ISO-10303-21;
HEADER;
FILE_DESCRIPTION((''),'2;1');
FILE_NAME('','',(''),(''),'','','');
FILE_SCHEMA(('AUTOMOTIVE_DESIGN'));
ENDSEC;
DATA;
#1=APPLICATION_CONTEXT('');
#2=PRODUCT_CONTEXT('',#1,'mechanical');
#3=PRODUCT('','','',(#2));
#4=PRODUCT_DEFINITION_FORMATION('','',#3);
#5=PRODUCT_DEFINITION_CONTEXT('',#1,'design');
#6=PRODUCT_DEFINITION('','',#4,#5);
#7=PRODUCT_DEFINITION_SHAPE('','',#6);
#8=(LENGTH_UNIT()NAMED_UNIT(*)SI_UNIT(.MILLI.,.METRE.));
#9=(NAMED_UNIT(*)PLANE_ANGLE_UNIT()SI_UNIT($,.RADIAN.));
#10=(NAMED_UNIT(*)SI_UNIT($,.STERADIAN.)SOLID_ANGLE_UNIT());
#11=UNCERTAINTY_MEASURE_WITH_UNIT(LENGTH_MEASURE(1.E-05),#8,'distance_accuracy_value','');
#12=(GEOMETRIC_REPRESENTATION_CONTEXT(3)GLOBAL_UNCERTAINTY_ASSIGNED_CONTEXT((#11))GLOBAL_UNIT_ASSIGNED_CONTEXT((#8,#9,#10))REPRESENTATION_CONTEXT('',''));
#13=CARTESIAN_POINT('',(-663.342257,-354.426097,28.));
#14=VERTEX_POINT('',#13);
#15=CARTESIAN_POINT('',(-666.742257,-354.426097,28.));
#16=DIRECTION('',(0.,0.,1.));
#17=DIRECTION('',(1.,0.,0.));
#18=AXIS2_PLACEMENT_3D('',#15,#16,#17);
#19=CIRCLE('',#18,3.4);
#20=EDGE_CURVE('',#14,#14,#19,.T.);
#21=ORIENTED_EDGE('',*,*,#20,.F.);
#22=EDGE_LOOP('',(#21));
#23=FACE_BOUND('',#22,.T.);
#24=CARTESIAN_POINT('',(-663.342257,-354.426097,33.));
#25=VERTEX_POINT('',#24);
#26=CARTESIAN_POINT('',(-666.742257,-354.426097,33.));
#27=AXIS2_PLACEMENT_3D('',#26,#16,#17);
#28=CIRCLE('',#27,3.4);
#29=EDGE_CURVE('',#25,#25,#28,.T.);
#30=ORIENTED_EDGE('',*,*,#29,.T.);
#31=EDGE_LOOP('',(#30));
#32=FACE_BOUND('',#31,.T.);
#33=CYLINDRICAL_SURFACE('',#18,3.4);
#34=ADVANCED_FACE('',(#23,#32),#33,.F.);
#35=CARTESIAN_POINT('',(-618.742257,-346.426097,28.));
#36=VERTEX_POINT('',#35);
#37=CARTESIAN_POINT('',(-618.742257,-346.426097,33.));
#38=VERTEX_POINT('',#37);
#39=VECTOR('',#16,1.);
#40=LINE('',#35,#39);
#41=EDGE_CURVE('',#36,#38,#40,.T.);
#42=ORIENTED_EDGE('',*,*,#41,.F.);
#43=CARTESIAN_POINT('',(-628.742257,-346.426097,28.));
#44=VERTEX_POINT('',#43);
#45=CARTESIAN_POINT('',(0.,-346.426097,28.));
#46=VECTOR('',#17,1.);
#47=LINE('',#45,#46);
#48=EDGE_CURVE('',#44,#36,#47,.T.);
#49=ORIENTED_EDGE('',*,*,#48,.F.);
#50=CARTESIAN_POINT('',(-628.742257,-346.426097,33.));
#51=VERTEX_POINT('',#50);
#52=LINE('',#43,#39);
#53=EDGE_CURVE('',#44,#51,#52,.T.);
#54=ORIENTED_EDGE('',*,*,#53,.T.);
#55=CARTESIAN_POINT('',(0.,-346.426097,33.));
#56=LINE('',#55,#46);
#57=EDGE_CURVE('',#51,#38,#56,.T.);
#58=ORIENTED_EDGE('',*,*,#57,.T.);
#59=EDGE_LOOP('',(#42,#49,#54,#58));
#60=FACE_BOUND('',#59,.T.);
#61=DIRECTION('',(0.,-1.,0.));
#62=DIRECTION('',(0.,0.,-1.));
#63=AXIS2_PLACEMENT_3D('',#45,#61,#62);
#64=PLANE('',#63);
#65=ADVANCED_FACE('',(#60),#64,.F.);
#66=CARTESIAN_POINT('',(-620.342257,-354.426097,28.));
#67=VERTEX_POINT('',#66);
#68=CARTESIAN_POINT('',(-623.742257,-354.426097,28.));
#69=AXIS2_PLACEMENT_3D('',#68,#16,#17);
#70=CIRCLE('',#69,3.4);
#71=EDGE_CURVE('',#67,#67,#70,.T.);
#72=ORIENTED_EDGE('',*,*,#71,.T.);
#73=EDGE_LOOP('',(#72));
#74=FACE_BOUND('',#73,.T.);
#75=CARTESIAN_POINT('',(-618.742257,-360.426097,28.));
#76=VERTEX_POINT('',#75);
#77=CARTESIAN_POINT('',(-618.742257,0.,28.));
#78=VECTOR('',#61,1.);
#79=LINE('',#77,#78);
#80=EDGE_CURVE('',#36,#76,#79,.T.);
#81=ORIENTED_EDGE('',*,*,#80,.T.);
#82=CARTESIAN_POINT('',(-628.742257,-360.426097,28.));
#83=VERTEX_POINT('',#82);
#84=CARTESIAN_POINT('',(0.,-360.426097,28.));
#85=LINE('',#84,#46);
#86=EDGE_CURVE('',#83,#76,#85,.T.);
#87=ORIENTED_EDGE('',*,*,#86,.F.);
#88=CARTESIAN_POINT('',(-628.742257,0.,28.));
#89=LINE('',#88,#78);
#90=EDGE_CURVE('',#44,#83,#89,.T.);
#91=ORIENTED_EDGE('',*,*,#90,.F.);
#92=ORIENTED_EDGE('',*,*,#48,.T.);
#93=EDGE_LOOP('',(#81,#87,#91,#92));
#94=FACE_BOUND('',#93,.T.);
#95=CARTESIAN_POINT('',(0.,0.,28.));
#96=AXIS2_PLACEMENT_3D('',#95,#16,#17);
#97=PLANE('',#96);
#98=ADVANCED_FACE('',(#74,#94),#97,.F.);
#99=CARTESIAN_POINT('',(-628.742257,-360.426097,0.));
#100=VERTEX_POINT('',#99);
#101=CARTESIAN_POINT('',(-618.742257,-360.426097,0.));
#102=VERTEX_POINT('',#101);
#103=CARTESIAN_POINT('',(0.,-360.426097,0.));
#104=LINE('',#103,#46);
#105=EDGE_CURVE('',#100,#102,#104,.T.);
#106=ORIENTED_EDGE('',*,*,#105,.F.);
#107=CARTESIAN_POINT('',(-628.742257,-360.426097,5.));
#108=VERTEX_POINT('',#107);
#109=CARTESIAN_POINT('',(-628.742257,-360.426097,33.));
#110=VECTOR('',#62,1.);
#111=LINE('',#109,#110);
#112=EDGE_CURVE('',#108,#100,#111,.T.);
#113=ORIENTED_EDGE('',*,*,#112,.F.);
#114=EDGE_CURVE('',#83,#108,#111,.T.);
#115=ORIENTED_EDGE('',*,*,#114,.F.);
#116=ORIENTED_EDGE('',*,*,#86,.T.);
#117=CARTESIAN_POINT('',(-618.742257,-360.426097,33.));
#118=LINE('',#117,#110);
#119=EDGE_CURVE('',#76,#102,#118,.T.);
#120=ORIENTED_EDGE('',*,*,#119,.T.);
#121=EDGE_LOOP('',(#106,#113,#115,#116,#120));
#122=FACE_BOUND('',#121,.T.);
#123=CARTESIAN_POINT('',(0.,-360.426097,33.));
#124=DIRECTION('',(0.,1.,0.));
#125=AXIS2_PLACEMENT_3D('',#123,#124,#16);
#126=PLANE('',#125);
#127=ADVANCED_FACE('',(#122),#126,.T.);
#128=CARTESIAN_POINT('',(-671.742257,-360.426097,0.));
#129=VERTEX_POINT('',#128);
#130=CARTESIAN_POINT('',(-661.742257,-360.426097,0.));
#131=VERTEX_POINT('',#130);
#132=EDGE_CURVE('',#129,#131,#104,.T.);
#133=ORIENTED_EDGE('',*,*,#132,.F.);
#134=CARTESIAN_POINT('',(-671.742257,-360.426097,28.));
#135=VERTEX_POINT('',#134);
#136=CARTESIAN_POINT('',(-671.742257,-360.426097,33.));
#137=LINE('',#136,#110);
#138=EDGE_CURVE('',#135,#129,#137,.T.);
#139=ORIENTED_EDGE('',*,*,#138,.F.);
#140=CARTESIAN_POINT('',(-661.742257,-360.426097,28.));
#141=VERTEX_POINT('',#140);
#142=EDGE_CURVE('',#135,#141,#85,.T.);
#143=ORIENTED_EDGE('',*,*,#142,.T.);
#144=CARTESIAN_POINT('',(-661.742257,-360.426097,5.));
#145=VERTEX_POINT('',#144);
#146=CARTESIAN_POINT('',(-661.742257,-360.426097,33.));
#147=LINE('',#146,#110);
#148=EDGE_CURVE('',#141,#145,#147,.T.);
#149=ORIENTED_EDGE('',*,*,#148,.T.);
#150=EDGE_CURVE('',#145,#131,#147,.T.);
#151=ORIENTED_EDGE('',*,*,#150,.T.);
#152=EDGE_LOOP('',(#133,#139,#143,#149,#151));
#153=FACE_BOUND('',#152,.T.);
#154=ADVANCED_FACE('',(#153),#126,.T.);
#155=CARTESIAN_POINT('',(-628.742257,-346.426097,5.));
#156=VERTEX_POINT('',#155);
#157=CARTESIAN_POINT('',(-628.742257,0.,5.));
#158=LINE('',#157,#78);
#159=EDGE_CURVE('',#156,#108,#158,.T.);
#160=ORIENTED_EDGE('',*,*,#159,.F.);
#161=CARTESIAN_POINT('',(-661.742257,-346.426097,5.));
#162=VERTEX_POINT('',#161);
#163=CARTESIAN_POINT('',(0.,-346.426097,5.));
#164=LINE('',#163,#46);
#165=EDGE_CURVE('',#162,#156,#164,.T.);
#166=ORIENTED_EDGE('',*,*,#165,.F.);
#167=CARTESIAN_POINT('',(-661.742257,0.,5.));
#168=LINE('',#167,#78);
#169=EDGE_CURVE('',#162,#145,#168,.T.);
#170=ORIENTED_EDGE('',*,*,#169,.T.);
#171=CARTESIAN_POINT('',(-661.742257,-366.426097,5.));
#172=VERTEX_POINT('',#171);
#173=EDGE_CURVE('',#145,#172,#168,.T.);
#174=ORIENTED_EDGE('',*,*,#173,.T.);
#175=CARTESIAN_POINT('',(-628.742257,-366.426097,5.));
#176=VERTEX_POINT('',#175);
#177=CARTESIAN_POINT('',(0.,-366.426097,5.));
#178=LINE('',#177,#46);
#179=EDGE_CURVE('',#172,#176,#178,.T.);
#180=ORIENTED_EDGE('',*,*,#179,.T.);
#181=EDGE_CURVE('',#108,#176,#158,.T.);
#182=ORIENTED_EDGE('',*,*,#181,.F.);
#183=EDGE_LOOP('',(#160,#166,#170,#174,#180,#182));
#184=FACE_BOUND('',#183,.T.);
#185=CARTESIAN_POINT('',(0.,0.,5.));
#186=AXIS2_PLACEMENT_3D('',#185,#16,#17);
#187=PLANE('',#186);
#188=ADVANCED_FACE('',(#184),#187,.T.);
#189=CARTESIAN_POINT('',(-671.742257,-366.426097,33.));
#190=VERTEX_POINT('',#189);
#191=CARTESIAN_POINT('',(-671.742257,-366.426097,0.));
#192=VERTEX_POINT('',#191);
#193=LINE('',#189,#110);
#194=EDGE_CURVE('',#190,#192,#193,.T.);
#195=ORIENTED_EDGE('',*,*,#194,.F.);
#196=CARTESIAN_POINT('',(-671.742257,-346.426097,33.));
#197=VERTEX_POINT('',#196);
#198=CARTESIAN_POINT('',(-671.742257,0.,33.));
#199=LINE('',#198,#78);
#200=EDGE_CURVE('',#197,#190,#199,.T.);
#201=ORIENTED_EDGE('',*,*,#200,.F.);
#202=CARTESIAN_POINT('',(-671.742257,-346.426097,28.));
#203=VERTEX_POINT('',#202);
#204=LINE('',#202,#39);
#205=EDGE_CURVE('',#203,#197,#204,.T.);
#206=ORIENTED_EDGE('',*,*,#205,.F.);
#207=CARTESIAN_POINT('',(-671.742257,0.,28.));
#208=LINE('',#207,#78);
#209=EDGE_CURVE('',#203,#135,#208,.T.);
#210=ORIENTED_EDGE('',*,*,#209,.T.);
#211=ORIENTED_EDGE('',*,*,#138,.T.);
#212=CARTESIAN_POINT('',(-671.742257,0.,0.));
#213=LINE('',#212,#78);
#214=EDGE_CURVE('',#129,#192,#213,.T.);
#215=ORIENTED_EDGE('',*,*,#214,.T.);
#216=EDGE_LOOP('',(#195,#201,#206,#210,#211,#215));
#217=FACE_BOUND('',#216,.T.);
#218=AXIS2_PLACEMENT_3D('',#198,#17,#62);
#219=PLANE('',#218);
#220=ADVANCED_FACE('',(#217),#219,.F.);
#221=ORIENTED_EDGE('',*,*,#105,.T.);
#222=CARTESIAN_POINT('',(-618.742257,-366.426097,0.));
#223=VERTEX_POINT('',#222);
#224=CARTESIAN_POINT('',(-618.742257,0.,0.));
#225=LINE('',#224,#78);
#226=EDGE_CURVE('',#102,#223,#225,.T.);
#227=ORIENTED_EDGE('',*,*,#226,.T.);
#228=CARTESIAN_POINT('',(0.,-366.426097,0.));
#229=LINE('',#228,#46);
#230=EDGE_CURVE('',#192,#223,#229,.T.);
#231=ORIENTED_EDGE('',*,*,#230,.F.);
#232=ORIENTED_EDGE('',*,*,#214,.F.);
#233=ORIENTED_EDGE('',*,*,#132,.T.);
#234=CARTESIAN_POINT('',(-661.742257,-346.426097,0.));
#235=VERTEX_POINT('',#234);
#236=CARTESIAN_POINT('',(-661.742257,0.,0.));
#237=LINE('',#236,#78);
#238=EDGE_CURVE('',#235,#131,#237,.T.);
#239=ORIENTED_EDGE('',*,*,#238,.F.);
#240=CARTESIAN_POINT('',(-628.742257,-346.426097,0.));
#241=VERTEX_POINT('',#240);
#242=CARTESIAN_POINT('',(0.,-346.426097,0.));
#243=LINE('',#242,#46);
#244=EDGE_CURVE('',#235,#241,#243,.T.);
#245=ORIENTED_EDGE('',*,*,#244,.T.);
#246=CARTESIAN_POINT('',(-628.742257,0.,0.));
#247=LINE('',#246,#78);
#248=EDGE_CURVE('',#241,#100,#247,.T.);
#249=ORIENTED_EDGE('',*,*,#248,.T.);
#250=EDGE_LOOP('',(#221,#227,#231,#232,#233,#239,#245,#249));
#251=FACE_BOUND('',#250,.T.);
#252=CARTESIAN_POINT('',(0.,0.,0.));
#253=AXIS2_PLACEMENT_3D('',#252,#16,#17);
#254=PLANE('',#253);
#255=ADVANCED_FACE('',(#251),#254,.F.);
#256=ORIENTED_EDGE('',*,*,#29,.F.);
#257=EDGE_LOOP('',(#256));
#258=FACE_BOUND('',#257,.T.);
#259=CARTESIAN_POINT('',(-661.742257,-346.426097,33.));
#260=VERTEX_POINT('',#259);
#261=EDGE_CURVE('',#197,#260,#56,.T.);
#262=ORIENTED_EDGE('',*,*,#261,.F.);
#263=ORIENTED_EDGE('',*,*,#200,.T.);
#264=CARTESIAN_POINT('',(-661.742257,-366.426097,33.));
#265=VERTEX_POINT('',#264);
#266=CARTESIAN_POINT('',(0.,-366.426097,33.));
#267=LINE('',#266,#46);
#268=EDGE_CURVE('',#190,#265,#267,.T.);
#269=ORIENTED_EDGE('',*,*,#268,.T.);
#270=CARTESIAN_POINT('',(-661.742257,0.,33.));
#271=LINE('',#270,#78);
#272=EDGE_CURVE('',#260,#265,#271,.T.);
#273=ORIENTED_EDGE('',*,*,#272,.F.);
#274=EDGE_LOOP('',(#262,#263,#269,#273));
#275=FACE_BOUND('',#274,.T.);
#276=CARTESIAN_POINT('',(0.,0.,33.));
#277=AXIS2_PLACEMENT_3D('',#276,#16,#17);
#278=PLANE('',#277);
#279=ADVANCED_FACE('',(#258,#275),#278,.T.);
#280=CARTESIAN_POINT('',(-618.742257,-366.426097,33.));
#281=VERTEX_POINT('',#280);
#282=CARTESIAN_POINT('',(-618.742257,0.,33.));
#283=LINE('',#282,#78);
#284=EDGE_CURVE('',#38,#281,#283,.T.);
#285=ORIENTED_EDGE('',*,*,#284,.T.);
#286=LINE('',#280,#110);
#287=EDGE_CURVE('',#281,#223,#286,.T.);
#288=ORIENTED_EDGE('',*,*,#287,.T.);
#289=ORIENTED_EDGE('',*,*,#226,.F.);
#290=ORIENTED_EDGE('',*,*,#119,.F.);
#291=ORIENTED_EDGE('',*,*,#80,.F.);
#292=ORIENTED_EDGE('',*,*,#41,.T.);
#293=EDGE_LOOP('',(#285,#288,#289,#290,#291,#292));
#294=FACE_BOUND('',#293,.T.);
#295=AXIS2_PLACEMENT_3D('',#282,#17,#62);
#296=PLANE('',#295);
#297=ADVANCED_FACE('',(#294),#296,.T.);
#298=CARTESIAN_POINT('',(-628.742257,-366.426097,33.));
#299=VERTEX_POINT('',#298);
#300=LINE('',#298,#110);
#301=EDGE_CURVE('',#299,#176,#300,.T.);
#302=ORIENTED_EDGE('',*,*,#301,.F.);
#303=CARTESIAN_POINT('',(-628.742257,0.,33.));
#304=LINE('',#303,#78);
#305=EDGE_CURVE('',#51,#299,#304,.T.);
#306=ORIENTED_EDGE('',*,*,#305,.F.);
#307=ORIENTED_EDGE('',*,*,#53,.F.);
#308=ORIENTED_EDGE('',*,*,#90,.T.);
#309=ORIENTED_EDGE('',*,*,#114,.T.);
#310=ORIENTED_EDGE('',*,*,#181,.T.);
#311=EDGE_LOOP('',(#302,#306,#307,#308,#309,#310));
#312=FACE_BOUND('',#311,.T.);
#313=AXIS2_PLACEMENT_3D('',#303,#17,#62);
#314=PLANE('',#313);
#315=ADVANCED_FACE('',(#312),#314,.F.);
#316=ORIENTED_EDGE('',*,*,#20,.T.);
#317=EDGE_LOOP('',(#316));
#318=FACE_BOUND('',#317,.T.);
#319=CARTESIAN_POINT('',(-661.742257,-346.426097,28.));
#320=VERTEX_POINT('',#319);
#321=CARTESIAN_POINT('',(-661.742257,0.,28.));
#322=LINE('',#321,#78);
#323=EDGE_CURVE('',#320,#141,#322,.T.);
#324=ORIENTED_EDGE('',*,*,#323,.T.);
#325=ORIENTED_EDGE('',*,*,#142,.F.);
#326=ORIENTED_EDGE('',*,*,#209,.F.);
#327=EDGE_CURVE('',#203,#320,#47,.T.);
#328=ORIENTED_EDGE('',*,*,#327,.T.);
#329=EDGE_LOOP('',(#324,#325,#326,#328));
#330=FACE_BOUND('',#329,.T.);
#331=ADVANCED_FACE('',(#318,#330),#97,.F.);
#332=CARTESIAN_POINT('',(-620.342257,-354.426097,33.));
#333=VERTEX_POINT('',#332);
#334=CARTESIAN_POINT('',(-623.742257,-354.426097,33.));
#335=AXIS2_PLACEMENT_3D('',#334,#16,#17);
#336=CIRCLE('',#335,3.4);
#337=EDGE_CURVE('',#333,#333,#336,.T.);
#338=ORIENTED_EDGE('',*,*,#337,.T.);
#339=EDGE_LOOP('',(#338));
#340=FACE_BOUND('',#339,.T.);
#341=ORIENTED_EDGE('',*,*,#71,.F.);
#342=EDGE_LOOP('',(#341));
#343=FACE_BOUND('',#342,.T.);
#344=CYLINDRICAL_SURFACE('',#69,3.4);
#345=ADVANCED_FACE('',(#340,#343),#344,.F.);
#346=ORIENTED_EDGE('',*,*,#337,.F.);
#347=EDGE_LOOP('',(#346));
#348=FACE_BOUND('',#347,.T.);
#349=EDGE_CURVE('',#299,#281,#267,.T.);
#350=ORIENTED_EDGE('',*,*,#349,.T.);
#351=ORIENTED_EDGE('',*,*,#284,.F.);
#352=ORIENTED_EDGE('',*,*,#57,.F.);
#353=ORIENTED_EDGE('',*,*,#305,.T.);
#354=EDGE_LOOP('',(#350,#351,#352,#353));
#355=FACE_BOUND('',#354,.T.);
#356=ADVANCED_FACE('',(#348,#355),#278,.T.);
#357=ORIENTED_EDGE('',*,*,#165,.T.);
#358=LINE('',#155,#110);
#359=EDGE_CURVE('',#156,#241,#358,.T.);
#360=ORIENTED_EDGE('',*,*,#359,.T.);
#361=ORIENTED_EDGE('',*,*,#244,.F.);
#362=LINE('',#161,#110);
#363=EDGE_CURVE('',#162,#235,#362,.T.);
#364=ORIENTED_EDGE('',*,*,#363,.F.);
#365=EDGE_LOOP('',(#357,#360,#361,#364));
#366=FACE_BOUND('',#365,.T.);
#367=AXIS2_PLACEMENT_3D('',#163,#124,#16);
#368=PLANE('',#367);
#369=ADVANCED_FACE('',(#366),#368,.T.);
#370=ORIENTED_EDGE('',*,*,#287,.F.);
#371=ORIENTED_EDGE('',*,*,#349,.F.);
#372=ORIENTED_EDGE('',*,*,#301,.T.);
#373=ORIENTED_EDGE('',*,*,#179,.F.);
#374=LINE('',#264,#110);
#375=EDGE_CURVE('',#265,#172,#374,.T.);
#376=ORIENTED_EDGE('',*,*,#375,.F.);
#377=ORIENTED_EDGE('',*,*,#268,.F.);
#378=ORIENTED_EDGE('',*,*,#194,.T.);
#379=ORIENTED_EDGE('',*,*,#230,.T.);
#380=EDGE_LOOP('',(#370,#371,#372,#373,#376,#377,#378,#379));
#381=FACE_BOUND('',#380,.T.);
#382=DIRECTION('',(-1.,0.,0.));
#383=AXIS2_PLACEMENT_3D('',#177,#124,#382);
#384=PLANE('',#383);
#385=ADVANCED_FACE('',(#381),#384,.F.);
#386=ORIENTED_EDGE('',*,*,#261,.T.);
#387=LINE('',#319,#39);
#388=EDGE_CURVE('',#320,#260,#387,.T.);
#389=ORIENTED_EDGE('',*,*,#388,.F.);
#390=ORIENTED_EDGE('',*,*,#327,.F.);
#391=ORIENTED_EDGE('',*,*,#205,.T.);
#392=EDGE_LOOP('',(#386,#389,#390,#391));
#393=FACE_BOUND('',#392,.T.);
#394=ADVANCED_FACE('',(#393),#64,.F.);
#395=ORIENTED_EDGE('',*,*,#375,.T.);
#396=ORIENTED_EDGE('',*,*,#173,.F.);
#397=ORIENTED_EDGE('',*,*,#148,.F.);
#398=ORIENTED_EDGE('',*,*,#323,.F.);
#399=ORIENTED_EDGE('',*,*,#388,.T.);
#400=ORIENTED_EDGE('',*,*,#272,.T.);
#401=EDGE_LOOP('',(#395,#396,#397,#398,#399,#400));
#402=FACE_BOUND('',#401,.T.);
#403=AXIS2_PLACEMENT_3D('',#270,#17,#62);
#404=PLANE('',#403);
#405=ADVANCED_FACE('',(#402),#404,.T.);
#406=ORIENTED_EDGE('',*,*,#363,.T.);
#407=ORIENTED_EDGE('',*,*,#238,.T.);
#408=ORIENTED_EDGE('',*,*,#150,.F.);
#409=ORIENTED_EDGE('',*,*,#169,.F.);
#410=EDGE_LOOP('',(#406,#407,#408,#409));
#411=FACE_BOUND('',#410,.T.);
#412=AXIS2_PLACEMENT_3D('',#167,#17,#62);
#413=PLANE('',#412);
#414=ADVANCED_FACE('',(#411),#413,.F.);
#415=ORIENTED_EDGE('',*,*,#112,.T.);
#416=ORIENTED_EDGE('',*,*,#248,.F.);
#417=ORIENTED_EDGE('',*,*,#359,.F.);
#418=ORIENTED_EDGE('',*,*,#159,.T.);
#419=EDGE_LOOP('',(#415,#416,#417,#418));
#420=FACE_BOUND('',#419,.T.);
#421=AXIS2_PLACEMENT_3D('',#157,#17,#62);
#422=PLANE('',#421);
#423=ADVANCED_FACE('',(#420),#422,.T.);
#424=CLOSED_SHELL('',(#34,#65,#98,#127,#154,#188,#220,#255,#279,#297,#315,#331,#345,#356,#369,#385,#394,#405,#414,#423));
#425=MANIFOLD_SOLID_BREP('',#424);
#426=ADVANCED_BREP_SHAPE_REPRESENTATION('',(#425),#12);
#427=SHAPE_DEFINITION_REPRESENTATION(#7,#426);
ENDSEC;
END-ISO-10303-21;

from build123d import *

# Parameters (mm, degrees)
BOSS_EXTRUDE1_DEPTH = 5
SKETCH1_7_W         = 10
SKETCH1_7_H         = 6
BOSS_EXTRUDE2_DEPTH = 33
BOSS_EXTRUDE3_START = 33
SKETCH1_9_W         = 10
SKETCH1_9_H         = 14
SKETCH1_9_R         = 3.4
BOSS_EXTRUDE3_DEPTH = 5


with BuildPart() as part:
    # Sketch1 → Boss-Extrude1 (new body)
    with BuildSketch(Plane.XY):
        Polygon((-628.74225666, -346.426096697), (-661.74225666, -346.426096697), (-661.74225666, -360.426096697), (-661.74225666, -366.426096697), (-628.74225666, -366.426096697), (-628.74225666, -360.426096697), align=None)
    extrude(amount=BOSS_EXTRUDE1_DEPTH)

    # Sketch1<7> → Boss-Extrude2 (add)
    with BuildSketch(Plane.XY):
        with Locations((-623.74225666, -363.426096697)):
            Rectangle(SKETCH1_7_W, SKETCH1_7_H)
        with Locations((-666.74225666, -363.426096697)):
            Rectangle(SKETCH1_7_W, SKETCH1_7_H)
    extrude(amount=BOSS_EXTRUDE2_DEPTH)

    # Sketch1<9> → Boss-Extrude3 (add)
    # profile 1 of 2: a face of its own
    with BuildSketch(Plane.XY.offset(BOSS_EXTRUDE3_START)):
        with Locations((-666.74225666, -353.426096697)):
            Rectangle(SKETCH1_9_W, SKETCH1_9_H)
        with Locations((-666.74225666, -354.426096697)):
            Circle(SKETCH1_9_R, mode=Mode.SUBTRACT)
    # profile 2 of 2: a face of its own
    with BuildSketch(Plane.XY.offset(BOSS_EXTRUDE3_START)):
        with Locations((-623.74225666, -353.426096697)):
            Rectangle(SKETCH1_9_W, SKETCH1_9_H)
        with Locations((-623.74225666, -354.426096697)):
            Circle(SKETCH1_9_R, mode=Mode.SUBTRACT)
    extrude(amount=-BOSS_EXTRUDE3_DEPTH)


solid = part.part
